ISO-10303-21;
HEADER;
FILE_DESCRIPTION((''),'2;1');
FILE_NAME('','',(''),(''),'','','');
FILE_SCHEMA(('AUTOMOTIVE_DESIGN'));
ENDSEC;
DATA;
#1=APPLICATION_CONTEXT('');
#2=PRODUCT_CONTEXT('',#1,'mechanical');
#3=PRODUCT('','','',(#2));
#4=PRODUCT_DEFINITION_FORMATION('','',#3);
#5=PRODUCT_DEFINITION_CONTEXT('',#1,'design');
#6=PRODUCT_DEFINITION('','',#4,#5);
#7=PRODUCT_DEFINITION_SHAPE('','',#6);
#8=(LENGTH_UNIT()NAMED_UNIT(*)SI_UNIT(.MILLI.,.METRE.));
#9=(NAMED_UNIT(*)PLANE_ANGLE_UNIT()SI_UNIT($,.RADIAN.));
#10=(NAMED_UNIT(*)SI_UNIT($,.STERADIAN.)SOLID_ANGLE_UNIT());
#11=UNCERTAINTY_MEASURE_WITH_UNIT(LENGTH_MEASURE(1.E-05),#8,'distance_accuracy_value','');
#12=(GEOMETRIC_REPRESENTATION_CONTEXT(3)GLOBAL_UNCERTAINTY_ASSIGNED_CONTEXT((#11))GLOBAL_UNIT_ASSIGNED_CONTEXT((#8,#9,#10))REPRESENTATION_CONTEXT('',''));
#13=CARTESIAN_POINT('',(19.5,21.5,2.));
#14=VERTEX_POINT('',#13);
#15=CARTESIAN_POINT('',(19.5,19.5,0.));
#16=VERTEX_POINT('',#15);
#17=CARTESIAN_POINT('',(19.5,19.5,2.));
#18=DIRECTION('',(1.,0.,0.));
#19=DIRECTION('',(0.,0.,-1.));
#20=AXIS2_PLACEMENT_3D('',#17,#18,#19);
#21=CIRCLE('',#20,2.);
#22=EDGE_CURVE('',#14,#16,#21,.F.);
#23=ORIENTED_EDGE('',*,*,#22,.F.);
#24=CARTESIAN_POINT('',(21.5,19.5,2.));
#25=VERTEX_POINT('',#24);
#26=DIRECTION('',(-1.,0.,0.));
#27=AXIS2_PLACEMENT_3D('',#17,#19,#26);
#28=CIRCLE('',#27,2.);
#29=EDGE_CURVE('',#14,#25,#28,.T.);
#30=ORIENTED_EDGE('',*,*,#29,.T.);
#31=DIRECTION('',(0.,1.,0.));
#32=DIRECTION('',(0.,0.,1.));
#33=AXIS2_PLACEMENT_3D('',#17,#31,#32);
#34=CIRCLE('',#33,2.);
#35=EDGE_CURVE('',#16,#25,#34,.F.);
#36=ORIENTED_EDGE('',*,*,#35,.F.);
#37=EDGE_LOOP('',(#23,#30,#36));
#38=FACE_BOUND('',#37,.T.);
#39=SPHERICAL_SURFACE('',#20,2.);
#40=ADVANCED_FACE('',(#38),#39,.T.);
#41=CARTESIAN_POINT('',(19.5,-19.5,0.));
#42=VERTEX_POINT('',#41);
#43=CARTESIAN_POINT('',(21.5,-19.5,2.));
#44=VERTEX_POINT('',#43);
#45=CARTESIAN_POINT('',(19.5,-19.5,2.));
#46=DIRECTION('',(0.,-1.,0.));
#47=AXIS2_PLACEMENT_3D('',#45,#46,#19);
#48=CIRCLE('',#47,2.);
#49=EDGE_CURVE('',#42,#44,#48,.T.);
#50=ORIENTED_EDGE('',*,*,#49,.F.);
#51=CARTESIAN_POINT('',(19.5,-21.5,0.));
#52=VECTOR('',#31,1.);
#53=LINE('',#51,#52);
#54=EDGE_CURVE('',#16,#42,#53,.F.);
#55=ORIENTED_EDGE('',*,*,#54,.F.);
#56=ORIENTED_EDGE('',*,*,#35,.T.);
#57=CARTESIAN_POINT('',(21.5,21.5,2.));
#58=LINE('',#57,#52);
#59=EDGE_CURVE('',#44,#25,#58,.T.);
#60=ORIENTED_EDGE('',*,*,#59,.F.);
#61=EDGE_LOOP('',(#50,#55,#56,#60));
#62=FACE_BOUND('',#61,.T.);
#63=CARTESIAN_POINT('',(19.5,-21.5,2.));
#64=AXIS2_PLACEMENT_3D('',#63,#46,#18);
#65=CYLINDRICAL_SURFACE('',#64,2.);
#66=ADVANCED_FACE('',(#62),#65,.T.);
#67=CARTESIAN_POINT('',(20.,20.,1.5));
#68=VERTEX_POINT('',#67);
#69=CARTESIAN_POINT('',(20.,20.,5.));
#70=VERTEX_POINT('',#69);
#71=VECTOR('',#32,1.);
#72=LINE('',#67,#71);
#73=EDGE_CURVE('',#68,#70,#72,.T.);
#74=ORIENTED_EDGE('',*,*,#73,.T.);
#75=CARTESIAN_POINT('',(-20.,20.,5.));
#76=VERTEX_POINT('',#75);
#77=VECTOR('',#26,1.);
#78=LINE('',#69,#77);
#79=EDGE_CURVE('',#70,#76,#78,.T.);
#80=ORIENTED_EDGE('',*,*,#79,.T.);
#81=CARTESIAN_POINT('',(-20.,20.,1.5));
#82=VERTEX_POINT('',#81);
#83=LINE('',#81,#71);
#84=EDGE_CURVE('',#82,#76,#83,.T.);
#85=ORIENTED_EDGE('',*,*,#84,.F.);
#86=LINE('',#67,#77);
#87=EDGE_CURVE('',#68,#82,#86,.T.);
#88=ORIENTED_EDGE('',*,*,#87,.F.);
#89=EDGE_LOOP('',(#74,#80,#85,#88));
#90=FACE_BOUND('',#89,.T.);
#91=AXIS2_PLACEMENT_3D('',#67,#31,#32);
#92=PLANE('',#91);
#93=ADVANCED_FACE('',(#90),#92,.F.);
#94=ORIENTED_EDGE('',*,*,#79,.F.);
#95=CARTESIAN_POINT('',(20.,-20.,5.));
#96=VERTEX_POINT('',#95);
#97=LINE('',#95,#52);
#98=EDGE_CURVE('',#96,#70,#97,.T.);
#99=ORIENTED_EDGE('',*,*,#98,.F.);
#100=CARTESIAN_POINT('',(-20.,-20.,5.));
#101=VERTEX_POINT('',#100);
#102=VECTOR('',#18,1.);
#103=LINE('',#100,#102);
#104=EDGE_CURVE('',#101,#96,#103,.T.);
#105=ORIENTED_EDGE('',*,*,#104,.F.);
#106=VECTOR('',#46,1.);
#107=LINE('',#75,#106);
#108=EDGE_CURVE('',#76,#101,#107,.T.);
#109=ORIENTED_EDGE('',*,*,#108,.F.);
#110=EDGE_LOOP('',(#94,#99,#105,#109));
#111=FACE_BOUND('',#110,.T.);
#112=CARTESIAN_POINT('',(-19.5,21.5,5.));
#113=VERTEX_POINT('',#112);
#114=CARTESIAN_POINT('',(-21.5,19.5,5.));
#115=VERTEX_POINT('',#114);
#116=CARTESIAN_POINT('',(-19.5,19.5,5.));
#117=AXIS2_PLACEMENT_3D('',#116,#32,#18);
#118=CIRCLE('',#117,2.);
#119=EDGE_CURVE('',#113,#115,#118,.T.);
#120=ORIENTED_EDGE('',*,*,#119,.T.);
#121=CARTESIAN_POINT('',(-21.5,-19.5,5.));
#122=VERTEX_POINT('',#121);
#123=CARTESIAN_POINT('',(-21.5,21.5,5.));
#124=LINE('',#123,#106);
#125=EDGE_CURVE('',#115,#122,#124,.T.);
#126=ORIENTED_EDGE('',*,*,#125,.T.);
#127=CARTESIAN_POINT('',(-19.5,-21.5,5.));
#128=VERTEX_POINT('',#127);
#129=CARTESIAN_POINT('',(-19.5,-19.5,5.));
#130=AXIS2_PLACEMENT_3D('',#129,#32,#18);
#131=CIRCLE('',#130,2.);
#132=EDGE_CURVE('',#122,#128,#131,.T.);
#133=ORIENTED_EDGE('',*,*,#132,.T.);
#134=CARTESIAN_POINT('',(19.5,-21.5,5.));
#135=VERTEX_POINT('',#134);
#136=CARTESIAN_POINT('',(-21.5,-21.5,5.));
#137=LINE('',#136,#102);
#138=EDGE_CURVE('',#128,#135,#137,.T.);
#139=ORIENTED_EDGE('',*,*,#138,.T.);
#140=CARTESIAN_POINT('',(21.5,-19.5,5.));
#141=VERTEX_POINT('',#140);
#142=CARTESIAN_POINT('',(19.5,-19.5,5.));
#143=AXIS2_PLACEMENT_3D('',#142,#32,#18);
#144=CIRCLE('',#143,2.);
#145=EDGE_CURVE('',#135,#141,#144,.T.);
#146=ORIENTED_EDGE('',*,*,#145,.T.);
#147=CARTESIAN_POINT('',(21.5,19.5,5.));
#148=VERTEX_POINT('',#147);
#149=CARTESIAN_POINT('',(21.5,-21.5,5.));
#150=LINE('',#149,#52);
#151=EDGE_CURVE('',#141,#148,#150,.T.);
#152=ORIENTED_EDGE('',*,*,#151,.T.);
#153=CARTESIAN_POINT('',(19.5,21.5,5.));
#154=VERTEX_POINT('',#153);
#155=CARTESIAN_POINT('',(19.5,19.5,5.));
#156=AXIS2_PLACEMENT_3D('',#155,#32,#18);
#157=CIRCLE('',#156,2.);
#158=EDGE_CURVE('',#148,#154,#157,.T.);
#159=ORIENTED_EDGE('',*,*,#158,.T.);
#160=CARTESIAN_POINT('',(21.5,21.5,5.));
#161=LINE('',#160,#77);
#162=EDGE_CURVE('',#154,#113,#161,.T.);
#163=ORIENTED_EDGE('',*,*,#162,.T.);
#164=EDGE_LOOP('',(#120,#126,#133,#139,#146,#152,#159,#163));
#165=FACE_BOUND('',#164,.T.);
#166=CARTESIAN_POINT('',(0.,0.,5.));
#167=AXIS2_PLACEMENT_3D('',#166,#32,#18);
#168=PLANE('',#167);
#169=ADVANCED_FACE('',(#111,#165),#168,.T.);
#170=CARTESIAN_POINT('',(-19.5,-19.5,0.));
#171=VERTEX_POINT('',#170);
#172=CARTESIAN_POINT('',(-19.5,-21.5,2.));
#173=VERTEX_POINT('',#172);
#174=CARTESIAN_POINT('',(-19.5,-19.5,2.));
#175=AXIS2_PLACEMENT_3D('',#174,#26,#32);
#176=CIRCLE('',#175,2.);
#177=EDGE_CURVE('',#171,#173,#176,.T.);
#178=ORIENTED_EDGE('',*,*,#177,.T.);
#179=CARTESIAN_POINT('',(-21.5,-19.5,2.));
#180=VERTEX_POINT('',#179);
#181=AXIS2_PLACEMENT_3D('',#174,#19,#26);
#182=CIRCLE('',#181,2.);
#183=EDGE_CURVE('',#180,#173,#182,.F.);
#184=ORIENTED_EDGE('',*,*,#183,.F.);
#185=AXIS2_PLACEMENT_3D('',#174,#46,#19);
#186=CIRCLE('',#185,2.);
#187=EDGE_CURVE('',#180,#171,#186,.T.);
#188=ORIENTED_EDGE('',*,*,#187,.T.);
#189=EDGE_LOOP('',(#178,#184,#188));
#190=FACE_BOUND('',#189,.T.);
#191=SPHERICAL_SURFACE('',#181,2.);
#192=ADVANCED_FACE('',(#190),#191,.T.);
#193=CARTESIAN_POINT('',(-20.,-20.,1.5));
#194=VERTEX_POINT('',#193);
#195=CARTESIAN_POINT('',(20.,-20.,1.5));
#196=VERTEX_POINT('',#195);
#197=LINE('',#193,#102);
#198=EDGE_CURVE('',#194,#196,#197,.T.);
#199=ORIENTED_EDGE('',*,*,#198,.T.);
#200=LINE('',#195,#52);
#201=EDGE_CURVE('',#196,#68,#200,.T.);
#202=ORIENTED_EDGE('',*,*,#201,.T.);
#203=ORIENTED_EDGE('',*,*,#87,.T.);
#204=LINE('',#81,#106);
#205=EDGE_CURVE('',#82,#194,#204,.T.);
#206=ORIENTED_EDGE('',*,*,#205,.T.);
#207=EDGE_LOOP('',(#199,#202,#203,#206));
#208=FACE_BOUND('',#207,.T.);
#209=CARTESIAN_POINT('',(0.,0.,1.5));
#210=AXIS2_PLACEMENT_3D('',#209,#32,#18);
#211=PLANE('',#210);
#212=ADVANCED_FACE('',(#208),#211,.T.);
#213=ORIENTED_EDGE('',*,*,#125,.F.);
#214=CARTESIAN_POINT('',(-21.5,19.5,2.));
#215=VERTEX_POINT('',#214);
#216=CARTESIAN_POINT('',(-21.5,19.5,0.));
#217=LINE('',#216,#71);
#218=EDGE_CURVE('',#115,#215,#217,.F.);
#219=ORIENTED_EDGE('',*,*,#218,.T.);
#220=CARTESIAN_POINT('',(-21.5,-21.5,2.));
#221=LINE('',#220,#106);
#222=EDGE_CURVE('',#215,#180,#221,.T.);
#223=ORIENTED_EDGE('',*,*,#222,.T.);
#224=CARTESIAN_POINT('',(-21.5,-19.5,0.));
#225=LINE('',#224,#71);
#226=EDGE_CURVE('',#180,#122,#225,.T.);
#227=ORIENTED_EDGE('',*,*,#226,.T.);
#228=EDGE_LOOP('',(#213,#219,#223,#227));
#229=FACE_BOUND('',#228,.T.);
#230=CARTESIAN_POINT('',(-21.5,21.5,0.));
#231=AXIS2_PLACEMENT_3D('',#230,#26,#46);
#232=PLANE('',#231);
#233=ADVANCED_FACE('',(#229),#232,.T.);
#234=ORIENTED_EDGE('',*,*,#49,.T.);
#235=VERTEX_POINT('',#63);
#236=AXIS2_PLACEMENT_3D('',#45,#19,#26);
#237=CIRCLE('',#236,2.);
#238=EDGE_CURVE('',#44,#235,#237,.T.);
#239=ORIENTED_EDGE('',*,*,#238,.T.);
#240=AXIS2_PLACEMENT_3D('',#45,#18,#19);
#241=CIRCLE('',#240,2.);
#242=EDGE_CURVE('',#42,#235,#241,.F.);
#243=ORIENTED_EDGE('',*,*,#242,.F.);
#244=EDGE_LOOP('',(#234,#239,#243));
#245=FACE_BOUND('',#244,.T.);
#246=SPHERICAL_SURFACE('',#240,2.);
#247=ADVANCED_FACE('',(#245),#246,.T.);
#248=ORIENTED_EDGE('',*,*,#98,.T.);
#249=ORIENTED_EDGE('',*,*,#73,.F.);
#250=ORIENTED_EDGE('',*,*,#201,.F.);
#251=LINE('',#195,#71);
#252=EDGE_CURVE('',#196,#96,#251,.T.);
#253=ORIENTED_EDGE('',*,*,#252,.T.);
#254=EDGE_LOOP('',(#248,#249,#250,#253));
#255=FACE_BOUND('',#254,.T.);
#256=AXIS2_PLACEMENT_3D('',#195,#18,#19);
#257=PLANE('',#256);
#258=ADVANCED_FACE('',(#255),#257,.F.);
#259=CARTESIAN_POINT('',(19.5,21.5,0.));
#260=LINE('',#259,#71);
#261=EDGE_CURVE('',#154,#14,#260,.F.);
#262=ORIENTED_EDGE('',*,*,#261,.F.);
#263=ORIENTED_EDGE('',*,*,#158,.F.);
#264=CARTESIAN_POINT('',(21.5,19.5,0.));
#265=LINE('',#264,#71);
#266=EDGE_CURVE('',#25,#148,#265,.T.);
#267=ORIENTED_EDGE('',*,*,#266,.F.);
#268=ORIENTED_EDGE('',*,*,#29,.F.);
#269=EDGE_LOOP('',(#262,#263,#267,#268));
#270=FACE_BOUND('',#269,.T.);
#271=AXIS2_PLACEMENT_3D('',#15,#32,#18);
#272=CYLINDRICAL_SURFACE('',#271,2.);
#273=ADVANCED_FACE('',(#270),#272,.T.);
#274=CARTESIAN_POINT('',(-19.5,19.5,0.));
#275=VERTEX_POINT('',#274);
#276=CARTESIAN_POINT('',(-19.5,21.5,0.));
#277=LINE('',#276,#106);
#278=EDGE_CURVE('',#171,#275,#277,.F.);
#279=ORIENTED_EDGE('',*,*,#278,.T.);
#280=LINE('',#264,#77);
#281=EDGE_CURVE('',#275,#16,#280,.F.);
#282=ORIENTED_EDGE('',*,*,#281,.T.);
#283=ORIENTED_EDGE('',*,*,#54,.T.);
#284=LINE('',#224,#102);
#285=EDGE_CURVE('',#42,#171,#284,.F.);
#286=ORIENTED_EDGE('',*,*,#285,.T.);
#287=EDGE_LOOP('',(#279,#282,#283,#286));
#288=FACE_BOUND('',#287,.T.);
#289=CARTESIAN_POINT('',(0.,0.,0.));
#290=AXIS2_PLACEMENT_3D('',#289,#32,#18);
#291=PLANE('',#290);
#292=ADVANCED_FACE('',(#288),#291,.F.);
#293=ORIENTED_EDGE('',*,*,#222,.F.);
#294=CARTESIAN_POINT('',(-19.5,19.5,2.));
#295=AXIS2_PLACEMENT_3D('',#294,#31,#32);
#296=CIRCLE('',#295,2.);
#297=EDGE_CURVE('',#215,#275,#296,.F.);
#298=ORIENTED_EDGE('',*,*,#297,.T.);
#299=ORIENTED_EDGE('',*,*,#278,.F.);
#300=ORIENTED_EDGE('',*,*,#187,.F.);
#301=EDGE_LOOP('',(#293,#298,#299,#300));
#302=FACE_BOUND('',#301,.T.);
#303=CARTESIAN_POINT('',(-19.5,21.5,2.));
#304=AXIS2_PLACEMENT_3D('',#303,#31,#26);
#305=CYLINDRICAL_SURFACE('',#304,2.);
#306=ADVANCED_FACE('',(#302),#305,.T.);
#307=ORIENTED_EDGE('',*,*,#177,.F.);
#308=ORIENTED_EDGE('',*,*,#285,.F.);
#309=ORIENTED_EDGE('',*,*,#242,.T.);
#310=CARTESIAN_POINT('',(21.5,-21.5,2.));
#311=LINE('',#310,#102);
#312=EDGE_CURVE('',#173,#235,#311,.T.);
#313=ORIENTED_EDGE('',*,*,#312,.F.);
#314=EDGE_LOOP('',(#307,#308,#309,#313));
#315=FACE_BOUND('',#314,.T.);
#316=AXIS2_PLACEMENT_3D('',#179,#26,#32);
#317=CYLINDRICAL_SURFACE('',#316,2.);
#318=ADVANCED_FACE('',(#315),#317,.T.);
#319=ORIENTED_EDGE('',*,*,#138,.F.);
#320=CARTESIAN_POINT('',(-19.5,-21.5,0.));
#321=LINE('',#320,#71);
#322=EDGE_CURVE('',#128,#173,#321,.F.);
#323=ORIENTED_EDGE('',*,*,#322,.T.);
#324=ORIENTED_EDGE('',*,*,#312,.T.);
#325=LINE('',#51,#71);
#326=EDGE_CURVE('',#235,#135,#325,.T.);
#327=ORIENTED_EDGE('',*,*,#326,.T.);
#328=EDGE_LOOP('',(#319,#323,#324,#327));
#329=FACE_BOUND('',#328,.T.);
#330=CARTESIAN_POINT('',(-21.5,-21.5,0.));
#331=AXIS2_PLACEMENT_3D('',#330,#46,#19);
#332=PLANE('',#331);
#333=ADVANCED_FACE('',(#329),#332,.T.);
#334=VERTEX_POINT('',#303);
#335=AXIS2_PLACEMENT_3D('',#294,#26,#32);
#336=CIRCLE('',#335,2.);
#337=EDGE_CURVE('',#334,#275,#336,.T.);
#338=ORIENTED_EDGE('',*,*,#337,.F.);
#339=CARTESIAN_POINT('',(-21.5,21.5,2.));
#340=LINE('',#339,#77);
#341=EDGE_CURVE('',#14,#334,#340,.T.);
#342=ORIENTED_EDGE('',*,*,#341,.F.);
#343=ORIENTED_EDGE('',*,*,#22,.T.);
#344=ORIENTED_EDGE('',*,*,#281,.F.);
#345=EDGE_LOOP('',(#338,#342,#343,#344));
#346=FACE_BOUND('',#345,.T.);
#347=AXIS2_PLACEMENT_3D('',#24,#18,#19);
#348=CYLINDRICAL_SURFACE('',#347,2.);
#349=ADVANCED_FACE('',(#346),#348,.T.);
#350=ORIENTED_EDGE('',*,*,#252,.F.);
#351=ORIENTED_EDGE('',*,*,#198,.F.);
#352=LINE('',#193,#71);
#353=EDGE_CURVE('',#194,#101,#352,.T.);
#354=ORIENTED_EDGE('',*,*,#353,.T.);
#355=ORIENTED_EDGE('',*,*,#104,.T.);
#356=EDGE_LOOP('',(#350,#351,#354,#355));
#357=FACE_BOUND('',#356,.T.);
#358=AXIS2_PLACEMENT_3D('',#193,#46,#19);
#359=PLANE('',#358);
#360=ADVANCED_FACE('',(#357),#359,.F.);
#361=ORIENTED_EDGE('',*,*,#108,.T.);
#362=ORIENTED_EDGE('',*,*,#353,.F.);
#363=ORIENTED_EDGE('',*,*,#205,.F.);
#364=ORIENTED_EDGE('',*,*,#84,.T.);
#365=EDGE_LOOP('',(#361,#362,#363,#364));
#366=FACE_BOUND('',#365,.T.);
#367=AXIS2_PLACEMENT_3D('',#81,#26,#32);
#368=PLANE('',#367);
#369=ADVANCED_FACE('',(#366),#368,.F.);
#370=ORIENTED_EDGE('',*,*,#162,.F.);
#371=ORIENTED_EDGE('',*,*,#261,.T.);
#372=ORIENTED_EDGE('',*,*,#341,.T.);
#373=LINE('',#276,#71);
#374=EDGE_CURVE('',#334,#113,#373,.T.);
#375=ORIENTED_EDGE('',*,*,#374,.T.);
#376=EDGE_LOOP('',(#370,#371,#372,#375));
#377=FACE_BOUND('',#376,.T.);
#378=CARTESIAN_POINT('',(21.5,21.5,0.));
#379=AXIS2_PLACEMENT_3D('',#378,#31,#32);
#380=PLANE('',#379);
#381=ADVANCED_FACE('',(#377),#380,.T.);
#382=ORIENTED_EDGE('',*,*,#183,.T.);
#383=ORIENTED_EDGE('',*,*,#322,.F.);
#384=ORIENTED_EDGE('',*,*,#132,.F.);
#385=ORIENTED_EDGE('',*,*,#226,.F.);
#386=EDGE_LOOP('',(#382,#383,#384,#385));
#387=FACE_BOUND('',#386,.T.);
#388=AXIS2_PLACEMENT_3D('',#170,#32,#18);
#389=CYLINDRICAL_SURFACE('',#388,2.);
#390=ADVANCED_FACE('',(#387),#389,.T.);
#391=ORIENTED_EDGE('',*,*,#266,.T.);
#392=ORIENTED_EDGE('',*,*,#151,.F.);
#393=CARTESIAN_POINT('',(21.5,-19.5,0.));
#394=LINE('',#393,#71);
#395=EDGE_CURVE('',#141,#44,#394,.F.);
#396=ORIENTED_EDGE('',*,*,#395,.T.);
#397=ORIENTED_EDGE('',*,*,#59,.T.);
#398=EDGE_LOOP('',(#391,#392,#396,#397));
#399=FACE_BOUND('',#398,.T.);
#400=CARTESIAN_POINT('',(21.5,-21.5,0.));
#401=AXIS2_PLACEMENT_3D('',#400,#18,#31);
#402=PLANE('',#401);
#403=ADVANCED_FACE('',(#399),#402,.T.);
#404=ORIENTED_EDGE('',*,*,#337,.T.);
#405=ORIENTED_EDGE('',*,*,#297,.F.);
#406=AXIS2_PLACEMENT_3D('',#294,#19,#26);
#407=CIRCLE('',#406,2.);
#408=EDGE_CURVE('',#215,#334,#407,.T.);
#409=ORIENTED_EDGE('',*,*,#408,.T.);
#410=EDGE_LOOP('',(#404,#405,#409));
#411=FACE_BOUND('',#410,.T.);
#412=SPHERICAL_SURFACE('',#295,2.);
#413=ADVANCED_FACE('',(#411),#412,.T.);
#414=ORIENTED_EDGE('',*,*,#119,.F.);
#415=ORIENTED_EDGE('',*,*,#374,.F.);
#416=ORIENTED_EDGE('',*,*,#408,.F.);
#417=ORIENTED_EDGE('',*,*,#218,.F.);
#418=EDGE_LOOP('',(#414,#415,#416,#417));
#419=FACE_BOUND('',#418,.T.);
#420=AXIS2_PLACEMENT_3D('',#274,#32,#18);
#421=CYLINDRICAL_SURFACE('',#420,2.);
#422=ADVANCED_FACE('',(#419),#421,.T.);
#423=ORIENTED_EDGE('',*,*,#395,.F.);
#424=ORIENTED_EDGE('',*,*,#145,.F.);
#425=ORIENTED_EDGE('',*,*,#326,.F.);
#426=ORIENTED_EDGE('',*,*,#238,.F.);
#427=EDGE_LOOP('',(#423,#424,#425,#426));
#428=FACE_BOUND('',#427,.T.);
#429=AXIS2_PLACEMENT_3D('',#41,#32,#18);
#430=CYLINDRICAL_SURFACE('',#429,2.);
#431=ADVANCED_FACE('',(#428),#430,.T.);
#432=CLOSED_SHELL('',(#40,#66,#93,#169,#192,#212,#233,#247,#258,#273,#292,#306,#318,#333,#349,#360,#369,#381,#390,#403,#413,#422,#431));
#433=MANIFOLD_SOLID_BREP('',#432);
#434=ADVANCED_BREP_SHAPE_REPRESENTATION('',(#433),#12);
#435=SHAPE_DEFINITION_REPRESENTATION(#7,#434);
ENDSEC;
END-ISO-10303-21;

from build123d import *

# Parameters (mm, degrees)
IZIM1_W                     = 43
IZIM1_H                     = 43
Y_KSEKLIK_EKSTR_ZYON1_DEPTH = 5
IZIM2_W                     = 40
IZIM2_H                     = 40
KES_EKSTR_ZYON1_DEPTH       = 3.5
RADYUS1_R                   = 2


with BuildPart() as part:
    # Çizim1 → Yükseklik-Ekstrüzyon1 (new body)
    with BuildSketch(Plane.XY.offset(5)):
        Rectangle(IZIM1_W, IZIM1_H)
    extrude(amount=-Y_KSEKLIK_EKSTR_ZYON1_DEPTH)

    # Çizim2 → Kes-Ekstrüzyon1 (cut)
    with BuildSketch(Plane.XY.offset(5)):
        Rectangle(IZIM2_W, IZIM2_H)
    extrude(amount=-KES_EKSTR_ZYON1_DEPTH, mode=Mode.SUBTRACT)

    # Radyus1
    radyus1_edges = [part.edges().sort_by_distance(p)[0] for p in [
        (21.5, 0, 0),
        (0, 21.5, 0),
        (-21.5, 0, 0),
        (-21.5, 21.5, 2.5),
        (21.5, 21.5, 2.5),
        (21.5, -21.5, 2.5),
        (-21.5, -21.5, 2.5),
        (0, -21.5, 0),
    ]]
    fillet(radyus1_edges, radius=RADYUS1_R)


solid = part.part
